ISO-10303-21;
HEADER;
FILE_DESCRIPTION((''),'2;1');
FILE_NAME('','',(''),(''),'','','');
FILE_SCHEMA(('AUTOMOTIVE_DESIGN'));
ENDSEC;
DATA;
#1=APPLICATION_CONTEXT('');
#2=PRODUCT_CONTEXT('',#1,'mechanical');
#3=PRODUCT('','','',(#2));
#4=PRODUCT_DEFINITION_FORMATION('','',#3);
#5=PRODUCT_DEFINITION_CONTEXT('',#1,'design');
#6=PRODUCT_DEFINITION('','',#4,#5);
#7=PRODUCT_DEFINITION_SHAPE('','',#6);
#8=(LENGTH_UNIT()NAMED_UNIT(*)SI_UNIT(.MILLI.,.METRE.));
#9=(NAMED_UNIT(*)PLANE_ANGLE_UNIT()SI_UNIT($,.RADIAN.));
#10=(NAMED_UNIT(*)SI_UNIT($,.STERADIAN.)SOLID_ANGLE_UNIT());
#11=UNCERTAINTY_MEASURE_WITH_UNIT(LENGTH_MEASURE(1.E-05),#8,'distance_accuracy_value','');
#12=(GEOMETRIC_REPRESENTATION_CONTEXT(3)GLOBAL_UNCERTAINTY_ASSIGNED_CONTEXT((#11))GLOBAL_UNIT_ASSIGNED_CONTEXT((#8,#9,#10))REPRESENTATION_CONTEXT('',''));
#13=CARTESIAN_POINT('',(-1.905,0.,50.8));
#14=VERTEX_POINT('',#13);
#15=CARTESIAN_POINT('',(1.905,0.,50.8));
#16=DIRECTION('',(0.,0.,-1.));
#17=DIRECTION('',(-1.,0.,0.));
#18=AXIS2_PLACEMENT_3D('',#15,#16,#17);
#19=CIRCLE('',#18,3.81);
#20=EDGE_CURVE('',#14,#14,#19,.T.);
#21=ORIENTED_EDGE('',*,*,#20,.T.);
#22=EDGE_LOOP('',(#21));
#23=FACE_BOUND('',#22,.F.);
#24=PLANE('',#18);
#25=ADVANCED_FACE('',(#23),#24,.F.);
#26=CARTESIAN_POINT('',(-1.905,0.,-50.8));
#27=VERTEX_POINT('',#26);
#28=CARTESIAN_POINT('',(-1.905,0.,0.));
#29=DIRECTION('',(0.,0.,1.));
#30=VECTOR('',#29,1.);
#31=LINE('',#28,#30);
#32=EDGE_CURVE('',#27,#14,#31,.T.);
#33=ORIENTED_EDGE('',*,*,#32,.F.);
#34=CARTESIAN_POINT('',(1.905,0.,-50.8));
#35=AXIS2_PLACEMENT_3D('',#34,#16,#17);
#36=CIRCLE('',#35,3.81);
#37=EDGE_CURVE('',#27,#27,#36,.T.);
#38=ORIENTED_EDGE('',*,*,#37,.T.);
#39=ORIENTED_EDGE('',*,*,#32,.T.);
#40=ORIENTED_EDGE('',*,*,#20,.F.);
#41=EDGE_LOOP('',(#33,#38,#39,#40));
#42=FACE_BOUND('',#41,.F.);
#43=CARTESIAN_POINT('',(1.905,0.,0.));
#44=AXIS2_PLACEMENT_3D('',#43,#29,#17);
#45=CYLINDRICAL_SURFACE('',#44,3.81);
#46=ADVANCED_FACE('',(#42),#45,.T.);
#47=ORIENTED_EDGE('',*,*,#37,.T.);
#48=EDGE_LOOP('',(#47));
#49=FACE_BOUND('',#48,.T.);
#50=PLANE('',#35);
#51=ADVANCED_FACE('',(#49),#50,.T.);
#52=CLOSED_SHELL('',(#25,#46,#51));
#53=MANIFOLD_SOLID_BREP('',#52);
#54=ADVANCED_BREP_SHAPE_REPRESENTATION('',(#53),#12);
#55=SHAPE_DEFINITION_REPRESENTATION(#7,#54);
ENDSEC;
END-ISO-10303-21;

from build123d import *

# Parameters (mm, degrees)
F0_W = 3.81
F0_H = 101.6


with BuildPart() as f1:
    # F0 (on Front) → F1 (revolve)
    with BuildSketch(Plane.XZ):
        Rectangle(F0_W, F0_H)
    revolve(axis=Axis((1.905, 0, 0), (0, 0, -1)))


solid = f1.part
